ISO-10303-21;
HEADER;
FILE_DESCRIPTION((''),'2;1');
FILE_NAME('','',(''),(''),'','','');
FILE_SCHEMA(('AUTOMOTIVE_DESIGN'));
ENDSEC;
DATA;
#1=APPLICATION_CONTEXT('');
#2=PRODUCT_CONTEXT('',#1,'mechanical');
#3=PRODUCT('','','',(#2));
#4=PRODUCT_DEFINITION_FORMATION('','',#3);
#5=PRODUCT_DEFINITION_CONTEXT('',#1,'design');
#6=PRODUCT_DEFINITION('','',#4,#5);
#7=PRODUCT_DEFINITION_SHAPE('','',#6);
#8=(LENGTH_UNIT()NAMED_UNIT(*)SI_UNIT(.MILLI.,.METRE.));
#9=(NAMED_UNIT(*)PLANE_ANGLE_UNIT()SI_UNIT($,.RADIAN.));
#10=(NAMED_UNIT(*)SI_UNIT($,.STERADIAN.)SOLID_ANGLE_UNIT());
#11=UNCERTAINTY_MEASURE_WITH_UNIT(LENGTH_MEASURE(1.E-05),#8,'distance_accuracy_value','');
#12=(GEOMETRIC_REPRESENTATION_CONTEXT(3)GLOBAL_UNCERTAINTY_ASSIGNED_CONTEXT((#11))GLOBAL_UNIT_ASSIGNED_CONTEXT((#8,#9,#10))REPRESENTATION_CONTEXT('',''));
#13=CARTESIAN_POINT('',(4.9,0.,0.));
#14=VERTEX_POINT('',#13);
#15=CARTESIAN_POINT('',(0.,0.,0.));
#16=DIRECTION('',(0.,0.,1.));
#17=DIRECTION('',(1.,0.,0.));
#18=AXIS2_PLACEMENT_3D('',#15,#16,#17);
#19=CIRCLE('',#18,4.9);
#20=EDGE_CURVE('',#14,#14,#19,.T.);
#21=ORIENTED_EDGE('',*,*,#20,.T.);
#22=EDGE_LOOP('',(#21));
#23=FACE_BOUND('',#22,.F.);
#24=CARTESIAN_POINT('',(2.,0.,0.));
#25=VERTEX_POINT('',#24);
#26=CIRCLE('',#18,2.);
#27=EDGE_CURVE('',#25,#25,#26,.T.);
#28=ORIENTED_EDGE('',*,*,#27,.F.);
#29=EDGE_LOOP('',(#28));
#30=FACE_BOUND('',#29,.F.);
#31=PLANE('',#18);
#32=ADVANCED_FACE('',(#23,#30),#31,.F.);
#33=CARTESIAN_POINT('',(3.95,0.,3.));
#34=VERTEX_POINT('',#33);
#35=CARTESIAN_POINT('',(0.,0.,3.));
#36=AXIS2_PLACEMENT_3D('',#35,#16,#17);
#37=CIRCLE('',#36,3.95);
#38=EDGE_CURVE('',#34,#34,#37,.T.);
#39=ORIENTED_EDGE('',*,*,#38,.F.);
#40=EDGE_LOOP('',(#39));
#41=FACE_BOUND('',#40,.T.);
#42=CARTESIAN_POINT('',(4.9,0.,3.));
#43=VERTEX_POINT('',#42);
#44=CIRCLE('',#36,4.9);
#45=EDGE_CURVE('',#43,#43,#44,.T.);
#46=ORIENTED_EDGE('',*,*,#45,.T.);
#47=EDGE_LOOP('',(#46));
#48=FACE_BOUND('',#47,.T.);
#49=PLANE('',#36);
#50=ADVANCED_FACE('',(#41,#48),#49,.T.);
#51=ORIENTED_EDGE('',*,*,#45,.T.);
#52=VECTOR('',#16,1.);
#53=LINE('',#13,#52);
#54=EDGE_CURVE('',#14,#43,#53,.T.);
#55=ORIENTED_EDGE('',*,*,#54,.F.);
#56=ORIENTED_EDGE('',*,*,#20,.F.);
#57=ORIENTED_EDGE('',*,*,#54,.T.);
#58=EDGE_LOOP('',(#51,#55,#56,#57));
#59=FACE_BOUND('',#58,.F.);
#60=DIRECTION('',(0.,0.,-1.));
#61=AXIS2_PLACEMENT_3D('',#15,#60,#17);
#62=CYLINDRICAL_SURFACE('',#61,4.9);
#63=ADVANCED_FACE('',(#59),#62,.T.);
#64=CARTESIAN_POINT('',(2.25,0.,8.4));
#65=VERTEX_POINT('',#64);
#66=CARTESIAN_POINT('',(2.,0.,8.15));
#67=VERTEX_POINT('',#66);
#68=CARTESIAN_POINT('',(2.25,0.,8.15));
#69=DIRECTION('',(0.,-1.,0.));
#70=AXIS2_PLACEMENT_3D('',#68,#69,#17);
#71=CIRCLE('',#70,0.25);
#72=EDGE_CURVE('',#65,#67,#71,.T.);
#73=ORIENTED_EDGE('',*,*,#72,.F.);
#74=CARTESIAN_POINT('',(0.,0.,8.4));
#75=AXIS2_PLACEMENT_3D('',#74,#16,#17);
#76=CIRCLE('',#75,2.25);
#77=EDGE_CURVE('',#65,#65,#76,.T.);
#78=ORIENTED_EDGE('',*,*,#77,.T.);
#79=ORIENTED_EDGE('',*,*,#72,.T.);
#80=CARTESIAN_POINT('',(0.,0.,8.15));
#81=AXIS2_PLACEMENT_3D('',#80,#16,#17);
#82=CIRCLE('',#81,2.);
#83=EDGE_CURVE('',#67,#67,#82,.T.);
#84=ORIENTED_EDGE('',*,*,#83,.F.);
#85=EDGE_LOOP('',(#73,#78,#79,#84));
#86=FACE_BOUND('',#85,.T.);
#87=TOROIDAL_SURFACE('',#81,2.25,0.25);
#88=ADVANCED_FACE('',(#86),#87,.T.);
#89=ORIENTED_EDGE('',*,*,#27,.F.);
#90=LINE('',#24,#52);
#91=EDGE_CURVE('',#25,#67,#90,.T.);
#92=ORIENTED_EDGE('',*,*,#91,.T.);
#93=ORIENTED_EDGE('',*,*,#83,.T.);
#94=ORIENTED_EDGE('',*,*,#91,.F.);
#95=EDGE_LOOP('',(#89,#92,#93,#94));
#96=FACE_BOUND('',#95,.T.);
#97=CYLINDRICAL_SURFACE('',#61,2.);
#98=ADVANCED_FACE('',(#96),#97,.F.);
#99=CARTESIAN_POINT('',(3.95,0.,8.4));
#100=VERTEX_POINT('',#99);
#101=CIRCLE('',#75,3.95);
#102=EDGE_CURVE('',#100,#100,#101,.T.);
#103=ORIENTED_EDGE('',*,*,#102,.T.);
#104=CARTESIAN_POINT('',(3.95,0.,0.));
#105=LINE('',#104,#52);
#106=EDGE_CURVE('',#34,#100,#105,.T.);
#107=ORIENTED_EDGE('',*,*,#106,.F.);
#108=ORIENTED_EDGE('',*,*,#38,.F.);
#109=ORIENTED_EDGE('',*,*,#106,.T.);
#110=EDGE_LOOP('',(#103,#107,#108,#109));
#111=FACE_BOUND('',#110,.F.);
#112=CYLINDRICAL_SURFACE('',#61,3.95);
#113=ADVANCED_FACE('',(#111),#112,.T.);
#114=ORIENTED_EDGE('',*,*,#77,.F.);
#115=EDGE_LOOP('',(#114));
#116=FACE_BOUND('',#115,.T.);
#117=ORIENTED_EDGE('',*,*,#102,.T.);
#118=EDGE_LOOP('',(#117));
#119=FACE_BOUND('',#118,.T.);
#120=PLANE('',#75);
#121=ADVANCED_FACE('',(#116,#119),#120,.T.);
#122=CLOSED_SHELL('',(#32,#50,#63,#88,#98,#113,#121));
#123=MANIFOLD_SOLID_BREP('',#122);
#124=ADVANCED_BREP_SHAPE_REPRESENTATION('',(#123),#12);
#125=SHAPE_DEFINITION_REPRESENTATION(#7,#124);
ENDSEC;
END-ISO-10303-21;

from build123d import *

# Parameters (mm, degrees)
F0_R     = 4.9
F0_R_2   = 3.95
F1_DEPTH = 3
F0_R_3   = 2
F2_DEPTH = 8.4
F3_R     = 0.25


with BuildPart() as f1:
    # F0 (on Top) → F1 (new body)
    with BuildSketch(Plane.XY):
        Circle(F0_R)
        Circle(F0_R_2, mode=Mode.SUBTRACT)
    extrude(amount=F1_DEPTH)

    # F0 (on Top) → F2 (join)
    with BuildSketch(Plane.XY):
        Circle(F0_R_2)
        Circle(F0_R_3, mode=Mode.SUBTRACT)
    extrude(amount=F2_DEPTH)

    # F3
    f3_edges = [f1.edges().sort_by_distance(p)[0] for p in [
        (-2, 0, 8.4),
    ]]
    fillet(f3_edges, radius=F3_R)


solid = f1.part
